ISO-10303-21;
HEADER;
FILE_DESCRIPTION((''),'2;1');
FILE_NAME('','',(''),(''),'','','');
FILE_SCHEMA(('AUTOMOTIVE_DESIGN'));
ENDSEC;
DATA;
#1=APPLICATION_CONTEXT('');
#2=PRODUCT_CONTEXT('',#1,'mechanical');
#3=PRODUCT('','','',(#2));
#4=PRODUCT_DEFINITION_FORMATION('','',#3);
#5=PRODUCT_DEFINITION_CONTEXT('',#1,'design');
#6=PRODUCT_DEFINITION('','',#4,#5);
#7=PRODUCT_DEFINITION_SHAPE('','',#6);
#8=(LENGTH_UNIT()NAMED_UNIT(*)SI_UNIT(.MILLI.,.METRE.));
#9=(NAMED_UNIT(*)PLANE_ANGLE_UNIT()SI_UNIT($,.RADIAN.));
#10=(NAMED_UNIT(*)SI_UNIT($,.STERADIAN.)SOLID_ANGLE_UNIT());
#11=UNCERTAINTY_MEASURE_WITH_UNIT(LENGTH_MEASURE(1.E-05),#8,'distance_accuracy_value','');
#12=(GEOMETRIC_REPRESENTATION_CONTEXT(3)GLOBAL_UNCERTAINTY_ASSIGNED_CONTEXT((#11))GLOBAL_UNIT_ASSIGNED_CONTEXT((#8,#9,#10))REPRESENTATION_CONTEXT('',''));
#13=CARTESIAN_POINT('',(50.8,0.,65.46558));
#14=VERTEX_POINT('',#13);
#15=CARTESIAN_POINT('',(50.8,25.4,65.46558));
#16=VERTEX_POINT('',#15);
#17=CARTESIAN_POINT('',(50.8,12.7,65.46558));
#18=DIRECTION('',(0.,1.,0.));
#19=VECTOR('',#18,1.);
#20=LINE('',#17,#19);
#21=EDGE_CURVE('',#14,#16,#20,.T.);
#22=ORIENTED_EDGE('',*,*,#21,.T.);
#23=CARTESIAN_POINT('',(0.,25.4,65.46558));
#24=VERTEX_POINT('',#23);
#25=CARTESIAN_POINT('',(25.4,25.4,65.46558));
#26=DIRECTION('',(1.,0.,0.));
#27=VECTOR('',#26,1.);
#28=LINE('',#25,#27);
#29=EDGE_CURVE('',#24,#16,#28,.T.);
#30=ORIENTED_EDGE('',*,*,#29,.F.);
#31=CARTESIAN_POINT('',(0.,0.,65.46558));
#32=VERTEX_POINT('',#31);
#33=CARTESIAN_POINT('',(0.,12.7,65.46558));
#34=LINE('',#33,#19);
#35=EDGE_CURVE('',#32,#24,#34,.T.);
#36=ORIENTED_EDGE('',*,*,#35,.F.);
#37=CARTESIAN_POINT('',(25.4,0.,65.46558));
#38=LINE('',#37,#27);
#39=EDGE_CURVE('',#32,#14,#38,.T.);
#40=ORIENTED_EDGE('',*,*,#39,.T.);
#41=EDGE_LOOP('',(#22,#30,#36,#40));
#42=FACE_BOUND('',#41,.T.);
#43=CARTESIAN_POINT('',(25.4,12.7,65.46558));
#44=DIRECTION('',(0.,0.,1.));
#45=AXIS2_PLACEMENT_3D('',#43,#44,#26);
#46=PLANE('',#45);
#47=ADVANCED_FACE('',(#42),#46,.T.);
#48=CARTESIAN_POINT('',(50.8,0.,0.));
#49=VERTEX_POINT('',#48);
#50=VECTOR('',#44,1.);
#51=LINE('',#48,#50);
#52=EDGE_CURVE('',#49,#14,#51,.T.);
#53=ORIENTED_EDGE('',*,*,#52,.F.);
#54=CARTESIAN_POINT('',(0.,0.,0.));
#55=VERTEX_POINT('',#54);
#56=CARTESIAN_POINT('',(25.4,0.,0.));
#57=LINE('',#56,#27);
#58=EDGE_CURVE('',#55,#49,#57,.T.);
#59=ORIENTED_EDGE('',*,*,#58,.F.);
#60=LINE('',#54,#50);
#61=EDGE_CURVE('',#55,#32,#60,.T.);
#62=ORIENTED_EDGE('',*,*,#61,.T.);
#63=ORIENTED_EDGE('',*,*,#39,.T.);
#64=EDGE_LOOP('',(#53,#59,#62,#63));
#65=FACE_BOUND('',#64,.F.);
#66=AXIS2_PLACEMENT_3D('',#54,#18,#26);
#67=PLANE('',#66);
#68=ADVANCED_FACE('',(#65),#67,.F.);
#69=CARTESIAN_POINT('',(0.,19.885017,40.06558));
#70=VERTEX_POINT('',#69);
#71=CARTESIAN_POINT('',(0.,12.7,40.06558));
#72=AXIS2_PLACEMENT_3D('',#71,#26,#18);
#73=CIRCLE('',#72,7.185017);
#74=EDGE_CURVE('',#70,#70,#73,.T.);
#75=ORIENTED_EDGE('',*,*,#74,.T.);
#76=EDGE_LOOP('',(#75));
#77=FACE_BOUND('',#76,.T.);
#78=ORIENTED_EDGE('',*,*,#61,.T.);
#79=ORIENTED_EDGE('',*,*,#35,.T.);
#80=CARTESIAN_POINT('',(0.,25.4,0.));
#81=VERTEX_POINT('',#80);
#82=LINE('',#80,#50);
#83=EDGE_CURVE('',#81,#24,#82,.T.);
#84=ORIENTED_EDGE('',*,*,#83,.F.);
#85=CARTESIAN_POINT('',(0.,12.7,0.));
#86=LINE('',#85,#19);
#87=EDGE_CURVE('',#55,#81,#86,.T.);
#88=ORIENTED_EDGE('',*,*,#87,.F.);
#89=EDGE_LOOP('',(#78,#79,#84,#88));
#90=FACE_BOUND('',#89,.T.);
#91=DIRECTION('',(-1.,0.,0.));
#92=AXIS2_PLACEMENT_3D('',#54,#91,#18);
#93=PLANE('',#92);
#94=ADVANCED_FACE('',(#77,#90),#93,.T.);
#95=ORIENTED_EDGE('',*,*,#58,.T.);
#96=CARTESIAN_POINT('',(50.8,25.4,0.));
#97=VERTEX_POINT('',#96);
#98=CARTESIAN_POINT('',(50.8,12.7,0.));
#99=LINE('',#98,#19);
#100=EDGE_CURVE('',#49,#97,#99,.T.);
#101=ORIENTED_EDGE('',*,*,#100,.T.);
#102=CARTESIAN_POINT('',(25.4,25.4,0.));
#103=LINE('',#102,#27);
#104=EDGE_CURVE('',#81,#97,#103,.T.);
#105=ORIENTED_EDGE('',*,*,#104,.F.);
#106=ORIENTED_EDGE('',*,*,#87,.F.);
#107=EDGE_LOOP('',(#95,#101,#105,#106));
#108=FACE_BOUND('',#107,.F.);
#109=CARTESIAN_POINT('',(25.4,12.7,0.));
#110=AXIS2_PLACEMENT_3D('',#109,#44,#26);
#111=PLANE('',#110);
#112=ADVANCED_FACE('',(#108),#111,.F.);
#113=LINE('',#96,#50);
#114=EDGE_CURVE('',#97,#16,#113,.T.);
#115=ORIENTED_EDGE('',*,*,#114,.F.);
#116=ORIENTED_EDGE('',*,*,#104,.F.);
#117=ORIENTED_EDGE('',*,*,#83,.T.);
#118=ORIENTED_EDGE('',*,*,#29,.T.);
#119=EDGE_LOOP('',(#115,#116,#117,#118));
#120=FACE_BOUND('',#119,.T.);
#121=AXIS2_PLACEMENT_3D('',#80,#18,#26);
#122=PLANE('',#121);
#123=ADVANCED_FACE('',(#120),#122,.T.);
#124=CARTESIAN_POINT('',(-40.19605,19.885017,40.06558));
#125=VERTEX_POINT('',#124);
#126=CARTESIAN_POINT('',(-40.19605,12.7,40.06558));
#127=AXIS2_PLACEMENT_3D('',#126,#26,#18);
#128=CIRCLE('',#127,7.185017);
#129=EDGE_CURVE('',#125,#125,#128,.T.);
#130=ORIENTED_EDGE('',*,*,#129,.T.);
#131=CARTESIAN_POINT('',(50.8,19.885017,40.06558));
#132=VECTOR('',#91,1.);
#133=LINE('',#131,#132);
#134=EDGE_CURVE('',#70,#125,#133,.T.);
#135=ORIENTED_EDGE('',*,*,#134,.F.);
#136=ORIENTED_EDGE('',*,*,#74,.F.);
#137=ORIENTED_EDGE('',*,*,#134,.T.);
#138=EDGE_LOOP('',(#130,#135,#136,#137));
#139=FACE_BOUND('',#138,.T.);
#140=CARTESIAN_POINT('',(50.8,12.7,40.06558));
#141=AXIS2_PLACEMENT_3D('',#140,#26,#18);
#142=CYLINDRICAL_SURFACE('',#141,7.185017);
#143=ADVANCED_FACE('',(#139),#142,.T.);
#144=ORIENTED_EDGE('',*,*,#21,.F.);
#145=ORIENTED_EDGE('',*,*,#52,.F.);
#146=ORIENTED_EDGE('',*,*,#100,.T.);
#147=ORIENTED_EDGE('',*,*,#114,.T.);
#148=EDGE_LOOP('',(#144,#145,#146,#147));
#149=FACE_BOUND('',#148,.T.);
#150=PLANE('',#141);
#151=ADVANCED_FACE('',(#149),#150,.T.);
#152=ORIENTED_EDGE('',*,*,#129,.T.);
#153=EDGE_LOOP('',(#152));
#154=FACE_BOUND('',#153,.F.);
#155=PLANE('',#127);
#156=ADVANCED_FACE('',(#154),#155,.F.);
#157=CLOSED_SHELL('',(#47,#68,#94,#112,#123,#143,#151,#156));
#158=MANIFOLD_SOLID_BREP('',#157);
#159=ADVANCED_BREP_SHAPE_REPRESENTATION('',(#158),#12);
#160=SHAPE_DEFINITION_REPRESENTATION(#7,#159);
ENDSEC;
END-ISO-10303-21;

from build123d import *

# Parameters (mm, degrees)
F0_W     = 50.8
F0_H     = 25.4
F1_DEPTH = 65.46558
F2_R     = 7.185017
F3_DEPTH = 90.99605


with BuildPart() as f1:
    # F0 (on Top) → F1 (new body)
    with BuildSketch(Plane.XY):
        with Locations((25.4, 12.7)):
            Rectangle(F0_W, F0_H)
    extrude(amount=F1_DEPTH)

    # F2 (on face) → F3 (join)
    with BuildSketch(Plane.YZ.offset(50.8)):
        with Locations((12.7, 40.06558)):
            Circle(F2_R)
    extrude(amount=-F3_DEPTH)


solid = f1.part
